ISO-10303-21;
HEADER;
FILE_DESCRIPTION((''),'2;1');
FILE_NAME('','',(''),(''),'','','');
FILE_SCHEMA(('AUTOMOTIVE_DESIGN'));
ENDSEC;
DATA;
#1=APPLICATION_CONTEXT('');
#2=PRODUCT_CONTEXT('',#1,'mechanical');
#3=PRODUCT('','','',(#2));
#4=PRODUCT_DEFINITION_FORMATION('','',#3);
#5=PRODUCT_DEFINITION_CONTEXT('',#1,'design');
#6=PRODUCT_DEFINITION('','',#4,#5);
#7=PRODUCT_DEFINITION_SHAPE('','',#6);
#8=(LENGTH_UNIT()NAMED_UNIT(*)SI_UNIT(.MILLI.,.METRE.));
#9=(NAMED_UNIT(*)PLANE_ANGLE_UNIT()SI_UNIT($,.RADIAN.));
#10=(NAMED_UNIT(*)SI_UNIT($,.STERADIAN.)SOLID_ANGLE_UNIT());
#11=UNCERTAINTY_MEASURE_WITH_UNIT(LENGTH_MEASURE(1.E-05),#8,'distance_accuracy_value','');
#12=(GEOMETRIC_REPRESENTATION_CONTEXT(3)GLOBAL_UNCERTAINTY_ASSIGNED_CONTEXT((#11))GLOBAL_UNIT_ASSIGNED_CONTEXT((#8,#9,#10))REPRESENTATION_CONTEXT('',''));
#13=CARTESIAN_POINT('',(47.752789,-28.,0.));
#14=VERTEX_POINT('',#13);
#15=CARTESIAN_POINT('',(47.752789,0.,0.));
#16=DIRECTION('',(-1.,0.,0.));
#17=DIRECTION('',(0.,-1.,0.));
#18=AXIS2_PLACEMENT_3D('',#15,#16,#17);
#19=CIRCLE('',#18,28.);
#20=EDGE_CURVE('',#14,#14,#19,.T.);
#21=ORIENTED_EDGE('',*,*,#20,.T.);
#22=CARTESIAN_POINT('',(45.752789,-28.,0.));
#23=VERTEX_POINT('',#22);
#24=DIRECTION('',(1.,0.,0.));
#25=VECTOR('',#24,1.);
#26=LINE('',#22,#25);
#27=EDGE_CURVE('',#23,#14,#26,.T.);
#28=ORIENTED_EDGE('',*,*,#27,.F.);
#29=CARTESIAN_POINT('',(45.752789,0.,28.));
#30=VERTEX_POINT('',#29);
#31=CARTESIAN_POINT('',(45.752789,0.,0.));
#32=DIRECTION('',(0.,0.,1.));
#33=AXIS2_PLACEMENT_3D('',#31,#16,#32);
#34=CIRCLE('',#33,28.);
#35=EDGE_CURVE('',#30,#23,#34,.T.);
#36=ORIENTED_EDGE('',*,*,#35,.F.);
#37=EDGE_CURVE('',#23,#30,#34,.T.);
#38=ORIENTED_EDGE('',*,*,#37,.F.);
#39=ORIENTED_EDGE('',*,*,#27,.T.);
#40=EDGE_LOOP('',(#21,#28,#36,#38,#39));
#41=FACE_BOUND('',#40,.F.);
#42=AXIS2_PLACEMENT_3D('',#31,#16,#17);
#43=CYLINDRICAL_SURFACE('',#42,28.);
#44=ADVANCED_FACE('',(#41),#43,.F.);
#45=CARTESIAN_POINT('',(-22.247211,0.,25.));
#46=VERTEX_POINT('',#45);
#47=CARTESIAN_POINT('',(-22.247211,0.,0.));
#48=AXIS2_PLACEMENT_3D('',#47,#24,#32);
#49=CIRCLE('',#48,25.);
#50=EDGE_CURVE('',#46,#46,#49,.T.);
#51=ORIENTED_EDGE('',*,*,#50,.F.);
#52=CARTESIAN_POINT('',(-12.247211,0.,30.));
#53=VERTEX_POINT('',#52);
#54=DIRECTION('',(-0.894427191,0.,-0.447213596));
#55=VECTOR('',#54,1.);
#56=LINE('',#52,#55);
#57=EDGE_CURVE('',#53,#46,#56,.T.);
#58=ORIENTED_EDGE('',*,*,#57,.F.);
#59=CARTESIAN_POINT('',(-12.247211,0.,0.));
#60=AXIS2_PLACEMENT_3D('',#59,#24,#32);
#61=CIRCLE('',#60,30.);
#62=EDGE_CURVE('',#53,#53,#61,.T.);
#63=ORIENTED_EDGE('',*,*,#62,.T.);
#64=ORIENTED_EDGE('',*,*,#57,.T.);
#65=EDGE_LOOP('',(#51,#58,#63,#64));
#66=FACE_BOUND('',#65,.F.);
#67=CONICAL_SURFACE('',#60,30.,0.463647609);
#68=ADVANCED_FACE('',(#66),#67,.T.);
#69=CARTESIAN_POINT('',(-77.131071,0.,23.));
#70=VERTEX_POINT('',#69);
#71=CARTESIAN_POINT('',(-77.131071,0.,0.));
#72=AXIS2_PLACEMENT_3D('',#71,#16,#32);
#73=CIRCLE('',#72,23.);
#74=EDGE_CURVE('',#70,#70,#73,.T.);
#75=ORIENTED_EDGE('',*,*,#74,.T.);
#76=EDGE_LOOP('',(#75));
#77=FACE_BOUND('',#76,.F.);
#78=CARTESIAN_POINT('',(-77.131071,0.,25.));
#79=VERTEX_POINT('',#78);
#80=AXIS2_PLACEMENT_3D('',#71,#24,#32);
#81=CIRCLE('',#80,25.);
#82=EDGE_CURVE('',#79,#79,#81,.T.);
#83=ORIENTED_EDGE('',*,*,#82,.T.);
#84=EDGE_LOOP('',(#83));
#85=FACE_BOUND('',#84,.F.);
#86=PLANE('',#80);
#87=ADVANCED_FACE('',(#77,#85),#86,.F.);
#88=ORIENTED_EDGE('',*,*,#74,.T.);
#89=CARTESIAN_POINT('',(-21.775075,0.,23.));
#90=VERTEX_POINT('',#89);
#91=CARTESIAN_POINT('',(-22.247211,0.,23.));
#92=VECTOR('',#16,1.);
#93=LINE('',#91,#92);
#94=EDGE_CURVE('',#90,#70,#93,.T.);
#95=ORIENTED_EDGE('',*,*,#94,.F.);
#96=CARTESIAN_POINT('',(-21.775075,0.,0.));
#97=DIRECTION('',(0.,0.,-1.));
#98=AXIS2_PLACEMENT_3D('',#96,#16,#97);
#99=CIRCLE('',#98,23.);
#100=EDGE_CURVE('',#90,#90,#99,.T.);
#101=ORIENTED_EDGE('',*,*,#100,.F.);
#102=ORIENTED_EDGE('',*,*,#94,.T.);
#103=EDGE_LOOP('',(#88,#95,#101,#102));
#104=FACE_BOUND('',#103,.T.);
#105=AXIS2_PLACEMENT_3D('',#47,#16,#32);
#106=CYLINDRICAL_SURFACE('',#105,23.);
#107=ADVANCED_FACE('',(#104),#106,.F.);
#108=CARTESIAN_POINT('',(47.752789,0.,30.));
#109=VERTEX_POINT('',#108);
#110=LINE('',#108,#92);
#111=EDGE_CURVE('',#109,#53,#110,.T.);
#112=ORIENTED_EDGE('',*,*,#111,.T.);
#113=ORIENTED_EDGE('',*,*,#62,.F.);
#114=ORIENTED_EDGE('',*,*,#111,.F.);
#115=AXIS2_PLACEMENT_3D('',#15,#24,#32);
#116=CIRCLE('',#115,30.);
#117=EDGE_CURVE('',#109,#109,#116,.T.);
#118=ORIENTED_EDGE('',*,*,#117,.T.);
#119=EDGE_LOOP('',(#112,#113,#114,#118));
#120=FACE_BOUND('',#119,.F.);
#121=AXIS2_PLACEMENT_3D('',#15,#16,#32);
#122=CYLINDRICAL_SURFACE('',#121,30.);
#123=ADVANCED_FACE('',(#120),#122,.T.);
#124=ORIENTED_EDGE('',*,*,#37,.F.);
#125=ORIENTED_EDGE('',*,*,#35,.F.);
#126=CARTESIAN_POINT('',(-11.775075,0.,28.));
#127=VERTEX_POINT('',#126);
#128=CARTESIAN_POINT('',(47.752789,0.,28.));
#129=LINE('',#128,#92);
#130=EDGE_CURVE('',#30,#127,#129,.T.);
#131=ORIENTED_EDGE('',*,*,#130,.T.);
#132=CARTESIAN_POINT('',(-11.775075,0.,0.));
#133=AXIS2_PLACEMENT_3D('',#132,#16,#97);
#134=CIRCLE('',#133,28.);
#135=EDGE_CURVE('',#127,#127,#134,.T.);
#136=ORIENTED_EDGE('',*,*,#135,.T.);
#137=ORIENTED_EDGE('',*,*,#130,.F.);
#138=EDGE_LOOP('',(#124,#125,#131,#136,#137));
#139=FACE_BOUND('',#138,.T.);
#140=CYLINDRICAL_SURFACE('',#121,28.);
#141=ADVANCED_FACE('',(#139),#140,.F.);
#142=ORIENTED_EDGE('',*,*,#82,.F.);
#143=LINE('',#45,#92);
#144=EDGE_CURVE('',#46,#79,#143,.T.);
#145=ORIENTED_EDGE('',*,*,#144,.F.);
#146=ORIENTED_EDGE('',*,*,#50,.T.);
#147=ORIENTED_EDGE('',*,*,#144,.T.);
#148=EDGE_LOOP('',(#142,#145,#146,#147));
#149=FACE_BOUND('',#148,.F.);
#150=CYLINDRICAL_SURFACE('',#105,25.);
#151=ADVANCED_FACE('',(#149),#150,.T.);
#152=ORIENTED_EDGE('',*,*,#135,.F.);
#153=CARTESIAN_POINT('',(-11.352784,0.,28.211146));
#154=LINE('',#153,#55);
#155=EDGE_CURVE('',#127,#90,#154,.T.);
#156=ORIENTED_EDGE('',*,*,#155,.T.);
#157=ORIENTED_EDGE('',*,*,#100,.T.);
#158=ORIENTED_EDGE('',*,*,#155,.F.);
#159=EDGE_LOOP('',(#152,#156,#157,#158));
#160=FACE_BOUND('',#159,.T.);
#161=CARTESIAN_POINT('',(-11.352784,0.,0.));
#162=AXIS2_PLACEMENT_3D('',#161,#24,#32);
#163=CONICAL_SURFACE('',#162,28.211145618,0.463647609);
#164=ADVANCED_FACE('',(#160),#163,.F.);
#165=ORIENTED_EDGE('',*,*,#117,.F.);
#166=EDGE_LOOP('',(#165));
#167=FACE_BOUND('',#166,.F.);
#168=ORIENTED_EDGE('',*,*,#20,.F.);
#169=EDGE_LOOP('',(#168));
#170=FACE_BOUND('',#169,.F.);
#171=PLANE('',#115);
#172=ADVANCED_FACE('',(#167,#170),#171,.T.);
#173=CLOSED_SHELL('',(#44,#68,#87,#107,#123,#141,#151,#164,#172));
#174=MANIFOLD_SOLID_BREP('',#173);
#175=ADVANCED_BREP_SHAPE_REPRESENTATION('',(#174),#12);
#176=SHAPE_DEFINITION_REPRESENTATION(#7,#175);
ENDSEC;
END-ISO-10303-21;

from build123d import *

# Parameters (mm, degrees)
F1_T     = -2
F2_R     = 28
F3_DEPTH = 25


with BuildPart() as f4:
    # F0 (on Front) → F4 (revolve)
    with BuildSketch(Plane.XZ):
        Polygon((47.7527889609, 0), (47.7527889609, 30), (-12.2472110391, 30), (-22.2472110391, 25), (-77.1310710907, 25), (-77.1310710907, 0), align=None)
    revolve(axis=Axis((-5.2267275751, 0, 0), (1, 0, 0)))

    # F1
    f1_openings = [f4.faces().sort_by_distance(p)[0] for p in [
        (-77.131071, 0, 0),
    ]]
    offset(amount=F1_T, openings=f1_openings, kind=Kind.INTERSECTION)

    # F2 (on face) → F3 (cut)
    with BuildSketch(Plane(origin=(45.7527889609, 0, 0), x_dir=(0, -1, 0), z_dir=(-1, 0, 0))):
        Circle(F2_R)
    extrude(amount=-F3_DEPTH, mode=Mode.SUBTRACT)


solid = f4.part
